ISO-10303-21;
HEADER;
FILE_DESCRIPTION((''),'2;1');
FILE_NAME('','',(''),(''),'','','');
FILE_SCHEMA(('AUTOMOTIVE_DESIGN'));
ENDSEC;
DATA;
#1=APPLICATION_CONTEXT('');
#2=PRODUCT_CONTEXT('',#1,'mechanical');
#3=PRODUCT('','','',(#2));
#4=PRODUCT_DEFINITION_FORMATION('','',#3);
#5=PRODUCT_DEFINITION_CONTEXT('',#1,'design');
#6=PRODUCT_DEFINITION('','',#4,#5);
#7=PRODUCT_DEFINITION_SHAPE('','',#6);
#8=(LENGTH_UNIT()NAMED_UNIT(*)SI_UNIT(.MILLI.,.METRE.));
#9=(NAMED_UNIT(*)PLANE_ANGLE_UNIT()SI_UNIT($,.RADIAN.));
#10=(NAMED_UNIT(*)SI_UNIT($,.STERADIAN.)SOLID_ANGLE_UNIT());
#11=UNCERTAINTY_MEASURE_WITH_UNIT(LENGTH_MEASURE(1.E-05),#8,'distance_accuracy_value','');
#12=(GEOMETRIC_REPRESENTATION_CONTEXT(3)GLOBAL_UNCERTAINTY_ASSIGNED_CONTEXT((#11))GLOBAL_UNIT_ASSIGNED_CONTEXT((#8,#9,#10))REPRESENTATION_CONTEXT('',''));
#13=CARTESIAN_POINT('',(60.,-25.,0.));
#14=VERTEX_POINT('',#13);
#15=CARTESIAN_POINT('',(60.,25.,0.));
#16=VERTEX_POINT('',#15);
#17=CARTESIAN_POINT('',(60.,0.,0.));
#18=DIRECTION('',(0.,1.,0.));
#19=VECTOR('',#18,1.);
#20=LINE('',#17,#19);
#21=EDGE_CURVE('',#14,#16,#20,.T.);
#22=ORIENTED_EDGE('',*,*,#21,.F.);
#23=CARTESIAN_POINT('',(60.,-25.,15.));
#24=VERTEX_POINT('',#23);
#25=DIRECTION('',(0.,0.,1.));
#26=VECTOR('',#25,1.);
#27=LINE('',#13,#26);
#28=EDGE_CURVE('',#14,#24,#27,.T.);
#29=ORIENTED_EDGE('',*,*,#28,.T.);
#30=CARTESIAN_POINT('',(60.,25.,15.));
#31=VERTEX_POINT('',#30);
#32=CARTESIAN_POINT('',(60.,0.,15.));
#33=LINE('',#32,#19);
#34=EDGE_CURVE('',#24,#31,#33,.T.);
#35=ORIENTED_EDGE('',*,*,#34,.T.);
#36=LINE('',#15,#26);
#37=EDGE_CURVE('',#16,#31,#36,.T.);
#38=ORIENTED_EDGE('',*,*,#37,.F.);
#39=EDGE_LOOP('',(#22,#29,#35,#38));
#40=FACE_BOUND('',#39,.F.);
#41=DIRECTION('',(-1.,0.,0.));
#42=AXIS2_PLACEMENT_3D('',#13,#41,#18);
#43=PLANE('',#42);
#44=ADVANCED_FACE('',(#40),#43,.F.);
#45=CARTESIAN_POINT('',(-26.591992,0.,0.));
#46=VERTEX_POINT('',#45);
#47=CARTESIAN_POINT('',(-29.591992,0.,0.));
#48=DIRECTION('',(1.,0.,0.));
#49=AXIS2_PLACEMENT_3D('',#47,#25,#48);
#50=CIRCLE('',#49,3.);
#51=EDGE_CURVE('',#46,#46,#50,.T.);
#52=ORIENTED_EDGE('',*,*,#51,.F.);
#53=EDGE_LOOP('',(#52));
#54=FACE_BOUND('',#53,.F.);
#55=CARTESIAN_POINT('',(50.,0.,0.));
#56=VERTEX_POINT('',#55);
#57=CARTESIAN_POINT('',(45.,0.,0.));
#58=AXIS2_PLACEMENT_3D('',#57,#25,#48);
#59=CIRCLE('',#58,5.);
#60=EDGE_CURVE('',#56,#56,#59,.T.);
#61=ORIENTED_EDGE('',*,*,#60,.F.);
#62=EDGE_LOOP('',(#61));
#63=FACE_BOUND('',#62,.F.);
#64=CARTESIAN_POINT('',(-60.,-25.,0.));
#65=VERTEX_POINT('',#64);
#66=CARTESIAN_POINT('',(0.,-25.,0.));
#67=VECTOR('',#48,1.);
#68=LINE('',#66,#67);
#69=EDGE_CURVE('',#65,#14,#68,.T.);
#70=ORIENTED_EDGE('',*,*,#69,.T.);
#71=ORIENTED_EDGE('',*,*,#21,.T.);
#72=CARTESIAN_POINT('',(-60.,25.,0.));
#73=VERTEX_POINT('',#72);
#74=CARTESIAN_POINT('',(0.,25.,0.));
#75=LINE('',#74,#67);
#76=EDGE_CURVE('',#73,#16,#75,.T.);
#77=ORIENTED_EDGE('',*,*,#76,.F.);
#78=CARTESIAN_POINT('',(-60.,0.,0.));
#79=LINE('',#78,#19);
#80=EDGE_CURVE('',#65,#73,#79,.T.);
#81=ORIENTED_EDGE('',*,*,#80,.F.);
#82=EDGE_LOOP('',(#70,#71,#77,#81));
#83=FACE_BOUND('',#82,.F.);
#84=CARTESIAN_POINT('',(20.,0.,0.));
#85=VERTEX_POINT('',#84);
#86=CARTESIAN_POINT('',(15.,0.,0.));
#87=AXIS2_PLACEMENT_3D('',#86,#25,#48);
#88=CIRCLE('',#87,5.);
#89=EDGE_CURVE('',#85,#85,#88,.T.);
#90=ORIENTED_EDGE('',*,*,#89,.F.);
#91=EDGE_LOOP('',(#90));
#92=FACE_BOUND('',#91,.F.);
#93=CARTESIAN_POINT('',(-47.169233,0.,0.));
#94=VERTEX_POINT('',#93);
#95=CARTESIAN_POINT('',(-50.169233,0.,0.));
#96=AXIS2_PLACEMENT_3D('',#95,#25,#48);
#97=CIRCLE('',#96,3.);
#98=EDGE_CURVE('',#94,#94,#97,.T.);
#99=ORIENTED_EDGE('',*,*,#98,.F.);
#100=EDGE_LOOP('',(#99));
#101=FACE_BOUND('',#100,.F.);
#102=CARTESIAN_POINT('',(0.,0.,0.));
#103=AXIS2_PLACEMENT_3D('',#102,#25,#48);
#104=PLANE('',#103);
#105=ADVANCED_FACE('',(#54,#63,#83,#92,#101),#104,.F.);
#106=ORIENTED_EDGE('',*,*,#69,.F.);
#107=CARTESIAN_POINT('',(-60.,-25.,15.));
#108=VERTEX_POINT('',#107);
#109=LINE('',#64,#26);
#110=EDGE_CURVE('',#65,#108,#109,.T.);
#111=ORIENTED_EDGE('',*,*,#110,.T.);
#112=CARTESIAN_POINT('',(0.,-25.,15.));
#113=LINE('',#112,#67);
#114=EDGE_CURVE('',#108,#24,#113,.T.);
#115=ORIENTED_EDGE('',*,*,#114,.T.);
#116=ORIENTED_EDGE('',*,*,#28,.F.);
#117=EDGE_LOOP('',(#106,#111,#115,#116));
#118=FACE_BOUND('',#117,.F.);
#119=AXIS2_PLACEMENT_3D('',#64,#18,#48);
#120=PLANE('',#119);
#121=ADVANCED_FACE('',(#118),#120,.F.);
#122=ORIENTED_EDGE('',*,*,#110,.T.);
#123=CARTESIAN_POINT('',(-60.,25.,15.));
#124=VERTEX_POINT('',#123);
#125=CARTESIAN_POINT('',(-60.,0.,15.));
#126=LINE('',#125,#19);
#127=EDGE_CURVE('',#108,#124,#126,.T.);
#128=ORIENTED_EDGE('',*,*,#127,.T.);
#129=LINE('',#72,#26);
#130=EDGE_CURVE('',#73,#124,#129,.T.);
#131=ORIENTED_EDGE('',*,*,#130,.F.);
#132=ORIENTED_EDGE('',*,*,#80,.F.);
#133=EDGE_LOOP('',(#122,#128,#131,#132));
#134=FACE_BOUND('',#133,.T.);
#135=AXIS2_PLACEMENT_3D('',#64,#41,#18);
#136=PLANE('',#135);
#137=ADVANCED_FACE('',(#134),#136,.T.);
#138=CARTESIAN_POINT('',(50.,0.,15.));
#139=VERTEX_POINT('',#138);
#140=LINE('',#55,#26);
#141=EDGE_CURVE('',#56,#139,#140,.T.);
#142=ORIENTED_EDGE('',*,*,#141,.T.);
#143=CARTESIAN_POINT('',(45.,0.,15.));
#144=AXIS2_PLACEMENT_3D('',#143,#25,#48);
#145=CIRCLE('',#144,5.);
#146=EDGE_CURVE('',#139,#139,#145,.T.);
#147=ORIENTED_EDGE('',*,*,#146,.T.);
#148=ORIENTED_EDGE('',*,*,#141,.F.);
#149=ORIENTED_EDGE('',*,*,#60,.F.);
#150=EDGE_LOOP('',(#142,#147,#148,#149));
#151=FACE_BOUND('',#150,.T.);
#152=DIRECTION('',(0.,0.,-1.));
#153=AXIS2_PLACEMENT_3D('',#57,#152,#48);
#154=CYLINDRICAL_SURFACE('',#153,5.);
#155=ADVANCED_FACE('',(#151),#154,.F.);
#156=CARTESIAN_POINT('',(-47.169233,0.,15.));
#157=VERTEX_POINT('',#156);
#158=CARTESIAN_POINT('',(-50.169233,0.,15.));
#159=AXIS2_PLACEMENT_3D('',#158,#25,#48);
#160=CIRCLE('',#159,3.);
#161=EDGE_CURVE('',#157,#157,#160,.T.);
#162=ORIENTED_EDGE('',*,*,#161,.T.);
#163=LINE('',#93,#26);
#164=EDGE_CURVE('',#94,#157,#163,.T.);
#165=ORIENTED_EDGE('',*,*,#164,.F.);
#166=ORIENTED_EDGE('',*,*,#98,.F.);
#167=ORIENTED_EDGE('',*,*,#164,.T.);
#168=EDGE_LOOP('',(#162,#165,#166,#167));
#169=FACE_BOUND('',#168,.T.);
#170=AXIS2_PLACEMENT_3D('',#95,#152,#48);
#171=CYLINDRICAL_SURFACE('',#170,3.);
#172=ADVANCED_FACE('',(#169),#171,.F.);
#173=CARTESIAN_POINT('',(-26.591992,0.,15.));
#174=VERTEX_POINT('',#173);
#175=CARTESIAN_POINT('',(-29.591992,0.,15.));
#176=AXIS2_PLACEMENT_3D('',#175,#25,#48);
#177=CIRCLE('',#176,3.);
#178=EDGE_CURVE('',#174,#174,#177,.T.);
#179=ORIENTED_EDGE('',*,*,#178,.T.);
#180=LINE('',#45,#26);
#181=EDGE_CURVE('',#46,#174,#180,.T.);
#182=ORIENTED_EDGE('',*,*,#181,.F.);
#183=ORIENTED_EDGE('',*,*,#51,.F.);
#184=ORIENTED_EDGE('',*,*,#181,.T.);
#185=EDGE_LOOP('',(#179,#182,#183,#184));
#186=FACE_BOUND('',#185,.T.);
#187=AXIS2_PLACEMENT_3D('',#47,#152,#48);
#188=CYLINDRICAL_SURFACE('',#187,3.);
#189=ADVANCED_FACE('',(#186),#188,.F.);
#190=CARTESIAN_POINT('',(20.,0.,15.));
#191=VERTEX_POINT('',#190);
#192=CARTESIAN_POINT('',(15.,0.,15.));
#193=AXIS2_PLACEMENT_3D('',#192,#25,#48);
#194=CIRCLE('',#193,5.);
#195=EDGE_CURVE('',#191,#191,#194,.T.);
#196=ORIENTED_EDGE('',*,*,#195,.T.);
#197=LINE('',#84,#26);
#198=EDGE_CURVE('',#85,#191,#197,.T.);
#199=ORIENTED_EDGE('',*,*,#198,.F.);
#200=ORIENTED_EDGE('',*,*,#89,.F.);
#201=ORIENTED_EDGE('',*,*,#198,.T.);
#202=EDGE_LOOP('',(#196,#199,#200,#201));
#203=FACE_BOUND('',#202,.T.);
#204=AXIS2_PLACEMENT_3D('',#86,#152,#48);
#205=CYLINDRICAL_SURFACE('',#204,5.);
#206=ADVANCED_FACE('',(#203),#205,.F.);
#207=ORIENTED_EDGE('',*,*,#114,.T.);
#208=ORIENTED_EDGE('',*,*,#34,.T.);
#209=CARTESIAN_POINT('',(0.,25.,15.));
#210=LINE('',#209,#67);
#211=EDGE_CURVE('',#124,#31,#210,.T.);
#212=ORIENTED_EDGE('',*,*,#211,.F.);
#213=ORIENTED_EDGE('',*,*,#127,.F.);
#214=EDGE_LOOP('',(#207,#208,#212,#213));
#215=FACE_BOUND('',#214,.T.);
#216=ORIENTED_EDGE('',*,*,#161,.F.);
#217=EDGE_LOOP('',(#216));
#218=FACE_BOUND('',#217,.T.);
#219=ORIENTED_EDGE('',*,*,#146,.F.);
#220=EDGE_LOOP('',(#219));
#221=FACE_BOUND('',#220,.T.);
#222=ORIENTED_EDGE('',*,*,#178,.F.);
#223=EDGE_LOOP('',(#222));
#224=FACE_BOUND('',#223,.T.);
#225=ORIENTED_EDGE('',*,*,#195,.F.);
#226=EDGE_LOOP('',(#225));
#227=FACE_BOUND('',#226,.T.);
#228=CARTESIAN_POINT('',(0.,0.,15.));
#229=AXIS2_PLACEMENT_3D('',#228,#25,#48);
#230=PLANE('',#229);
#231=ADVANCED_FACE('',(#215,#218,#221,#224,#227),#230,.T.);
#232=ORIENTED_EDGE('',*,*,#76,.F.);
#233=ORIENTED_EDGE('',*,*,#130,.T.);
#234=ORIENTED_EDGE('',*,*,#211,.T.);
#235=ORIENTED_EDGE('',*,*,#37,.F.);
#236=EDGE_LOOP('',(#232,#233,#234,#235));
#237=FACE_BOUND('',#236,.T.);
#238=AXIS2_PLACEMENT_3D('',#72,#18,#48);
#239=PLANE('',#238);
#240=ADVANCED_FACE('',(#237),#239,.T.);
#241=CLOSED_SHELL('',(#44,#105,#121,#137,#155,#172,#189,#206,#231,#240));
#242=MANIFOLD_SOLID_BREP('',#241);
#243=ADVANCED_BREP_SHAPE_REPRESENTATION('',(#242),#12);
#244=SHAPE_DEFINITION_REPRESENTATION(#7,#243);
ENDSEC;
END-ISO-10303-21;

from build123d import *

# Parameters (mm, degrees)
F0_W     = 120
F0_H     = 50
F0_R     = 3
F0_R_2   = 5
F1_DEPTH = 15


with BuildPart() as f1:
    # F0 (on Top) → F1 (new body)
    with BuildSketch(Plane.XY):
        Rectangle(F0_W, F0_H)
        with Locations((-50.169233, 0)):
            Circle(F0_R, mode=Mode.SUBTRACT)
        with Locations((-29.591992, 0)):
            Circle(F0_R, mode=Mode.SUBTRACT)
        with Locations((15, 0)):
            Circle(F0_R_2, mode=Mode.SUBTRACT)
        with Locations((45, 0)):
            Circle(F0_R_2, mode=Mode.SUBTRACT)
    extrude(amount=F1_DEPTH)


solid = f1.part
